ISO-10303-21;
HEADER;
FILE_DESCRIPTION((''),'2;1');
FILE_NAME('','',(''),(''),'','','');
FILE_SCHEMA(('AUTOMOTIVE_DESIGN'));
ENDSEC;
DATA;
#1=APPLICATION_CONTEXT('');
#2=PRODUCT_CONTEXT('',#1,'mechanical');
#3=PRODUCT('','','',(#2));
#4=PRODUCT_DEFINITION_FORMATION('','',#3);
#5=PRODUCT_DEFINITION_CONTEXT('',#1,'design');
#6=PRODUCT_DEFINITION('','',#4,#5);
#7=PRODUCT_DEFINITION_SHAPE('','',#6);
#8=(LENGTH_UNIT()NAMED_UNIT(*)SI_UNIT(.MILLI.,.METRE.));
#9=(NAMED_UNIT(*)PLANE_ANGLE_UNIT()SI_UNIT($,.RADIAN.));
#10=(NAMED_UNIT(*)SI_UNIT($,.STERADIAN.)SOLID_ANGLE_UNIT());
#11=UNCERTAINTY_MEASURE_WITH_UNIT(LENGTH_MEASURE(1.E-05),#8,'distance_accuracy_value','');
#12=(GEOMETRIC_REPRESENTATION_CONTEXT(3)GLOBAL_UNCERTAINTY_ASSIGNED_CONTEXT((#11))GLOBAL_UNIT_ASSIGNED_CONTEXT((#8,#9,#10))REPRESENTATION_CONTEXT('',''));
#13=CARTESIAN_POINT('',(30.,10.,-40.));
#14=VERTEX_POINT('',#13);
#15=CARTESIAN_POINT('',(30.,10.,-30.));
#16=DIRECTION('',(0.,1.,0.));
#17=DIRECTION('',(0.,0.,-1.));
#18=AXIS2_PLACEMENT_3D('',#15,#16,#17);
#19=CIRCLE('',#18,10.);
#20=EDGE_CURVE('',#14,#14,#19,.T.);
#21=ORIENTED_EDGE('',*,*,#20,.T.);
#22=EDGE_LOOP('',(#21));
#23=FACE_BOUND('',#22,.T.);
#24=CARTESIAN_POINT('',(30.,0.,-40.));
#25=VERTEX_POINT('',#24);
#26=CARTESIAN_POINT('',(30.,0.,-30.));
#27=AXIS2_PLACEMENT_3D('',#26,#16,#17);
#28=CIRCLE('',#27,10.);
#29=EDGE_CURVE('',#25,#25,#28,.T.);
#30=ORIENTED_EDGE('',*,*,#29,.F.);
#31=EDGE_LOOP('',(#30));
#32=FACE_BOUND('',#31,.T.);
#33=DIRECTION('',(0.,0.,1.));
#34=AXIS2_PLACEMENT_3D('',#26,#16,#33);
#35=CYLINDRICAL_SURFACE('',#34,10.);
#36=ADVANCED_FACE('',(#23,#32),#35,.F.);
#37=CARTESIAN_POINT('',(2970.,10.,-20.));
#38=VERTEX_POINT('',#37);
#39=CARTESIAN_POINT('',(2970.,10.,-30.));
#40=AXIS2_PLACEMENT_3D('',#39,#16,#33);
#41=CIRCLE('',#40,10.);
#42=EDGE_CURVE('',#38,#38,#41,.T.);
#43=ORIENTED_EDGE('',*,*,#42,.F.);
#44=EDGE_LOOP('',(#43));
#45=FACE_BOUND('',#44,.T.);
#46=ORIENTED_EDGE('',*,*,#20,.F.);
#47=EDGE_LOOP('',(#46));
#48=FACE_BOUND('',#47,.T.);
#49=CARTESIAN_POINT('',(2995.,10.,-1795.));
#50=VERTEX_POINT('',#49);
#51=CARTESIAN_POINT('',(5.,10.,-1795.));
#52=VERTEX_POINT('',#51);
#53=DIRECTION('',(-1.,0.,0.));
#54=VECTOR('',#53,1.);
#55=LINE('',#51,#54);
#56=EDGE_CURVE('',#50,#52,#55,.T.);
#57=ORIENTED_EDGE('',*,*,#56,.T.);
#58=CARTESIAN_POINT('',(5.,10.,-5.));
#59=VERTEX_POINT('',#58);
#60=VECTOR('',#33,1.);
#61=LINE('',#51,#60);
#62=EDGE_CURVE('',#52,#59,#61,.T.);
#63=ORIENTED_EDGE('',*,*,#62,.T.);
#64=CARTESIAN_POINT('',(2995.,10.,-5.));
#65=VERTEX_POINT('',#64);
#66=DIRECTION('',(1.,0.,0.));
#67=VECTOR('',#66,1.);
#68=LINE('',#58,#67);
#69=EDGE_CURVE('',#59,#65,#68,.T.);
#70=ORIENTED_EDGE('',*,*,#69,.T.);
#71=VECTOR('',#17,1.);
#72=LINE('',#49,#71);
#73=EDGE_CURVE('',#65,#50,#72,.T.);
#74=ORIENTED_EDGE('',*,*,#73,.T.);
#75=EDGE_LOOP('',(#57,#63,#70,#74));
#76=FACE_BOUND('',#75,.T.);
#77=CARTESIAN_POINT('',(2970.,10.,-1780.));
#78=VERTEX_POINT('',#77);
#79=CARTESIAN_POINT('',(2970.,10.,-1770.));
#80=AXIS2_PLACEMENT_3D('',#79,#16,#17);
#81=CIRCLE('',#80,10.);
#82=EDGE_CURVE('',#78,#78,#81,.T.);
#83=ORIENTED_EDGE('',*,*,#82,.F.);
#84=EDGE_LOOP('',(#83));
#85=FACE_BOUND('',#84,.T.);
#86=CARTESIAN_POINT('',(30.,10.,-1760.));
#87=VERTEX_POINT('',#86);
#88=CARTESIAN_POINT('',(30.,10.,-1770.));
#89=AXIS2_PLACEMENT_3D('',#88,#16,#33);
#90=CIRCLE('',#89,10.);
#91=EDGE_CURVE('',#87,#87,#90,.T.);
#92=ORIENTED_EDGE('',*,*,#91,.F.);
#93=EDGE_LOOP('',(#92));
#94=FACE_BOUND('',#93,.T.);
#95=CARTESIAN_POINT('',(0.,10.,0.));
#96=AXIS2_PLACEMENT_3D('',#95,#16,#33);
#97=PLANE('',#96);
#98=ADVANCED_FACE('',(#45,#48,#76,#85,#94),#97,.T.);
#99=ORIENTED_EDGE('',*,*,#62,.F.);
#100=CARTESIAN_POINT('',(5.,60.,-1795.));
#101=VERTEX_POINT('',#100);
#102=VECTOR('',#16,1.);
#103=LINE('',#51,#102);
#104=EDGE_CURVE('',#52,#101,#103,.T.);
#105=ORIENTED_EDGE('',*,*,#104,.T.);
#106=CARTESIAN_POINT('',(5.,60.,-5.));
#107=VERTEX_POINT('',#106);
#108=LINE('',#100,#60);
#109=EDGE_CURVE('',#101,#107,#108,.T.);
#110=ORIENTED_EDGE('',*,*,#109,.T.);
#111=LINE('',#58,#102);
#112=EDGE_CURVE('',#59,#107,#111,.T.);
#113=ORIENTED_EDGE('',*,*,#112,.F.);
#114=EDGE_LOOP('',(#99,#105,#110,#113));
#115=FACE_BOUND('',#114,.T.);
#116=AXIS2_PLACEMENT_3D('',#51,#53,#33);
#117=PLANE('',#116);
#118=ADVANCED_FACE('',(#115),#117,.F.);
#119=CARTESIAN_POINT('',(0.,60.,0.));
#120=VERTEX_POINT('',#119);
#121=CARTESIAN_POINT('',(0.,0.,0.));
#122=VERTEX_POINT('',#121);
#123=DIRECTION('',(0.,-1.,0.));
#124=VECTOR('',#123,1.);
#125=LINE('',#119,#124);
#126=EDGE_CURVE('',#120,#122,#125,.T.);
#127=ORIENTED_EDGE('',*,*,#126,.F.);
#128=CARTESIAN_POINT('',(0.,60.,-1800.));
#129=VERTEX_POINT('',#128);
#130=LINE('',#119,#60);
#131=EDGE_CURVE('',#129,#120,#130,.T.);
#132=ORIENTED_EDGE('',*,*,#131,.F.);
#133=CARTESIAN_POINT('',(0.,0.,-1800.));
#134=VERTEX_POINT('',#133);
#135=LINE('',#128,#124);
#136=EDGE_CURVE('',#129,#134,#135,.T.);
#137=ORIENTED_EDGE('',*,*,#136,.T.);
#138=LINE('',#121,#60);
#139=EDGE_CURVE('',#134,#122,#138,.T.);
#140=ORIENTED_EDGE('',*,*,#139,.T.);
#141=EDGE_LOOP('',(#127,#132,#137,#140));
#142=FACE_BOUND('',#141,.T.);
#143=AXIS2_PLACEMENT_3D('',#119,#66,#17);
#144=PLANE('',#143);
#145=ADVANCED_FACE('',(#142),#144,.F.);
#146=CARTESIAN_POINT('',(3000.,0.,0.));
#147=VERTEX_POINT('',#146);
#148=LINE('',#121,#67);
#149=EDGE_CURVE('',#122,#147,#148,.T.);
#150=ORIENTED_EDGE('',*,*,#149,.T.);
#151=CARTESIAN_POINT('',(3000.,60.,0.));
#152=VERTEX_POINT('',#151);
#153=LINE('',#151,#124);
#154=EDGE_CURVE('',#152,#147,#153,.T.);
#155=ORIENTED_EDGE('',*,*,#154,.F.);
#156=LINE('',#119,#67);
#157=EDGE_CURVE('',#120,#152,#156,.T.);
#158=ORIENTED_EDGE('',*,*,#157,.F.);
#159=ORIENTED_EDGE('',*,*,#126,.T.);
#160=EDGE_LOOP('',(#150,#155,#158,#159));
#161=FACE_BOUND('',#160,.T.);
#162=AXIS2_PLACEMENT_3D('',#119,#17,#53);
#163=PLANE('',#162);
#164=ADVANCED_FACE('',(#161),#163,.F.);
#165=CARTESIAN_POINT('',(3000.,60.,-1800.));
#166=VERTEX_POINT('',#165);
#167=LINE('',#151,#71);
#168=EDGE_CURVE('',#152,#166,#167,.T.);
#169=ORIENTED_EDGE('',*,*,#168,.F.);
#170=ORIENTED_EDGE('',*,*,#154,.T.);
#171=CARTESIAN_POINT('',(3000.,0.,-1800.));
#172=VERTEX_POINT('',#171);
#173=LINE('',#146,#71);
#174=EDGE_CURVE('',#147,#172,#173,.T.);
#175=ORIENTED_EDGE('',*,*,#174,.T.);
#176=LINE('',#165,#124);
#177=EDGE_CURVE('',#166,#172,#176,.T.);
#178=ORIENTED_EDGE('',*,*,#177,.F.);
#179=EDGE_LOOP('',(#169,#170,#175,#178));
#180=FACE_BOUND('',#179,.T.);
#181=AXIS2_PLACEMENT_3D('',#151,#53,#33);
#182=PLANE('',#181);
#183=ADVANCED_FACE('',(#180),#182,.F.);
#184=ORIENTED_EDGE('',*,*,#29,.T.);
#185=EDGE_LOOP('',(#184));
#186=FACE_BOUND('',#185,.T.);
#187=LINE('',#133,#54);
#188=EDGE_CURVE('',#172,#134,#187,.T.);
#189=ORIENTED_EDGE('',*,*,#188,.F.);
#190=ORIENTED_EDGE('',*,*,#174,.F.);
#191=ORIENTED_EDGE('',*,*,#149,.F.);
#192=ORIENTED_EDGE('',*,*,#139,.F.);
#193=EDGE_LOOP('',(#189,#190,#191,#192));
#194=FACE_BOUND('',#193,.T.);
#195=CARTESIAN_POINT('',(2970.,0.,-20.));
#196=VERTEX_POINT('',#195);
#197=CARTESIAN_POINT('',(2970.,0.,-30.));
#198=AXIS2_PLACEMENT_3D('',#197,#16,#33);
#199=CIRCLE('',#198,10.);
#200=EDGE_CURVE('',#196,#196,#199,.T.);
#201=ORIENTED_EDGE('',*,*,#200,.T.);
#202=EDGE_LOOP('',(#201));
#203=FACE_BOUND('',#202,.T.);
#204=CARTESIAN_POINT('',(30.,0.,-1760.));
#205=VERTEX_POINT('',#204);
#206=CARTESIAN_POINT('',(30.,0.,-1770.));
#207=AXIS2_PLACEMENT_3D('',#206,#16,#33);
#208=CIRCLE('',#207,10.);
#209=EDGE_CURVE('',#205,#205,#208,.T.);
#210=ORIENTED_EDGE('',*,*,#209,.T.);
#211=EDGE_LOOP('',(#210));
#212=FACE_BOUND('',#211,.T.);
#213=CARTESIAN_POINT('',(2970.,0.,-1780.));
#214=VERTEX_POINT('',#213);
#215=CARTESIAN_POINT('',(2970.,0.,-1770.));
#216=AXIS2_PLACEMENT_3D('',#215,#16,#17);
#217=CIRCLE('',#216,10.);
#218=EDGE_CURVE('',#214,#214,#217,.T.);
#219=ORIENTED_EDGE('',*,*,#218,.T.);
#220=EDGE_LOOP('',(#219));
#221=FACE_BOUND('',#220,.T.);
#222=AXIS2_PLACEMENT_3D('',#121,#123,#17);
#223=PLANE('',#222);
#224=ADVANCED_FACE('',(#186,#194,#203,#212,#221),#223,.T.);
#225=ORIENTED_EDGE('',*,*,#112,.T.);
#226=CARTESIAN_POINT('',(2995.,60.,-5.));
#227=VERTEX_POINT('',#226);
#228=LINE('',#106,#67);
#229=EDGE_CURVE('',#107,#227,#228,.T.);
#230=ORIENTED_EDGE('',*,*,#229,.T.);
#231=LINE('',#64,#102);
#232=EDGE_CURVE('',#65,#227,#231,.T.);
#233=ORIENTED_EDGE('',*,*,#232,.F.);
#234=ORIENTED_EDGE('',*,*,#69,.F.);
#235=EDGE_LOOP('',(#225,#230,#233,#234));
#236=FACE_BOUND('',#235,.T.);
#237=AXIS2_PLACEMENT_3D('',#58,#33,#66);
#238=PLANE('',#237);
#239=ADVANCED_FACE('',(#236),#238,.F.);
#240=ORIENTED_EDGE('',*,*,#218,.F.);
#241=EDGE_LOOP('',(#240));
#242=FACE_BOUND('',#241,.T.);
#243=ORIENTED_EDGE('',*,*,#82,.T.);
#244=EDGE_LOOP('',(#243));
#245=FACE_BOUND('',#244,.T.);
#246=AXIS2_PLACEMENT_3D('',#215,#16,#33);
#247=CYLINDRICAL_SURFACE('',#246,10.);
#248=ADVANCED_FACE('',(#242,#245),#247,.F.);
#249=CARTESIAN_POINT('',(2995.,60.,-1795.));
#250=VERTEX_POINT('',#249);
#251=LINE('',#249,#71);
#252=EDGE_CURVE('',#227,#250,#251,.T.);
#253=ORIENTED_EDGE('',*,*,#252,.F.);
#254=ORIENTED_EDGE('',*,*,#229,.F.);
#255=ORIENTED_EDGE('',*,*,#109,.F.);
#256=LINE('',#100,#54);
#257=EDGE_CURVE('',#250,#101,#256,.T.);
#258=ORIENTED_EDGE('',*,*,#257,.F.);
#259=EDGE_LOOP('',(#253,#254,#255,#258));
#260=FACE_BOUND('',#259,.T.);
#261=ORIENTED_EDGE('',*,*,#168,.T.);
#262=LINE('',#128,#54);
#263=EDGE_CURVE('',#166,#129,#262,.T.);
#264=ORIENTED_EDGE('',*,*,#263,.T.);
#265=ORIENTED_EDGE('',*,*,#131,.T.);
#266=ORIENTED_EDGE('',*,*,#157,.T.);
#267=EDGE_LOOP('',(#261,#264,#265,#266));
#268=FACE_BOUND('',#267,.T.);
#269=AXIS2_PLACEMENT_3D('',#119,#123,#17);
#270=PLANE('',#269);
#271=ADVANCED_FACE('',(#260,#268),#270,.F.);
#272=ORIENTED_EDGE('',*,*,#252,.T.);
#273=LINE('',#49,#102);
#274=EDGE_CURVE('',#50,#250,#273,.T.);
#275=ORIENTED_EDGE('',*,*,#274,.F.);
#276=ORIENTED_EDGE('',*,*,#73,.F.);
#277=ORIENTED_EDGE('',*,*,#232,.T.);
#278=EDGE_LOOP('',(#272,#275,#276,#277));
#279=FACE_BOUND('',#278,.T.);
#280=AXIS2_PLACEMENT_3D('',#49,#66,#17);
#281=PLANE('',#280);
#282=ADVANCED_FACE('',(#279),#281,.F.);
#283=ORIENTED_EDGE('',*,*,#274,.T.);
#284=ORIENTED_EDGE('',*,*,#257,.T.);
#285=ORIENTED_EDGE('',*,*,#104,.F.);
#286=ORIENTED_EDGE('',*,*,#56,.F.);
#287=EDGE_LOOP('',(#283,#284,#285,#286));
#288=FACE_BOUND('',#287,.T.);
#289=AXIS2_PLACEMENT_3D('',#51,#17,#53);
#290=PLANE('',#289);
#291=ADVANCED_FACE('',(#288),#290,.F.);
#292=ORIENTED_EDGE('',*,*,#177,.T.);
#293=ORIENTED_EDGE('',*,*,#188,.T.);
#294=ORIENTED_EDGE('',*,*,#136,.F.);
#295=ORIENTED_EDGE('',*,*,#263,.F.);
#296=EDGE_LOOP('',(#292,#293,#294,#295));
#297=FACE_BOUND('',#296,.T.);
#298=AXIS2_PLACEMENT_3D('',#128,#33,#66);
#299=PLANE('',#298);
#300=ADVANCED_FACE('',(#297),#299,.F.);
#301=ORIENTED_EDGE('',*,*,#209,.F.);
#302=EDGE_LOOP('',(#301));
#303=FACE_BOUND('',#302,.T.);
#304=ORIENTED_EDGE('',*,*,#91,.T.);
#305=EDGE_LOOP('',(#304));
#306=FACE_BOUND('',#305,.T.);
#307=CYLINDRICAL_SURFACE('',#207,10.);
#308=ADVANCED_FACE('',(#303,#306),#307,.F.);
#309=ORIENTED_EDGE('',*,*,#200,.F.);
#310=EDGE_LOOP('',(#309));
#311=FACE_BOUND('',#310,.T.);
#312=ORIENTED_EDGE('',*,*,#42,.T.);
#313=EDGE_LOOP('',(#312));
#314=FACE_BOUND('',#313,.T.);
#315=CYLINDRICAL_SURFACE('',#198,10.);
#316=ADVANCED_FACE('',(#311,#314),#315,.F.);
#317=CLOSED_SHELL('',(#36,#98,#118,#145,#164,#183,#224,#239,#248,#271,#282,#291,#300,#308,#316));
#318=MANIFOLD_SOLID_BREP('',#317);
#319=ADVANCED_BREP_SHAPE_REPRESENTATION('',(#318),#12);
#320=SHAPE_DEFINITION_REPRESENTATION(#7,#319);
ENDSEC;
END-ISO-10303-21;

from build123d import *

# Parameters (mm, degrees)
SKETCH1_W           = 3000
SKETCH1_H           = 1800
BOSS_EXTRUDE2_DEPTH = 60
SKETCH2_W           = 2990
SKETCH2_H           = 1790
CUT_EXTRUDE1_DEPTH  = 50
SKETCH3_R           = 10
CUT_EXTRUDE2_DEPTH  = 10


with BuildPart() as part:
    # Sketch1 → Boss-Extrude2 (new body)
    with BuildSketch(Plane(origin=(0, 0, 0), x_dir=(1, 0, 0), z_dir=(0, 1, 0))):
        with Locations((1500, 900)):
            Rectangle(SKETCH1_W, SKETCH1_H)
    extrude(amount=BOSS_EXTRUDE2_DEPTH)

    # Sketch2 → Cut-Extrude1 (cut)
    with BuildSketch(Plane(origin=(0, 60, 0), x_dir=(1, 0, 0), z_dir=(0, 1, 0))):
        with Locations((1500, 900)):
            Rectangle(SKETCH2_W, SKETCH2_H)
    extrude(amount=-CUT_EXTRUDE1_DEPTH, mode=Mode.SUBTRACT)

    # Sketch3 → Cut-Extrude2 (cut)
    with BuildSketch(Plane(origin=(0, 10, 0), x_dir=(1, 0, 0), z_dir=(0, 1, 0))):
        with Locations(Location((30, 1770, 0), (0, 0, 270))):
            Circle(SKETCH3_R)
        with Locations(Location((2970, 1770, 0), (0, 0, 90))):
            Circle(SKETCH3_R)
        with Locations(Location((30, 30, 0), (0, 0, 90))):
            Circle(SKETCH3_R)
        with Locations(Location((2970, 30, 0), (0, 0, 270))):
            Circle(SKETCH3_R)
    extrude(amount=-CUT_EXTRUDE2_DEPTH, mode=Mode.SUBTRACT)


solid = part.part
